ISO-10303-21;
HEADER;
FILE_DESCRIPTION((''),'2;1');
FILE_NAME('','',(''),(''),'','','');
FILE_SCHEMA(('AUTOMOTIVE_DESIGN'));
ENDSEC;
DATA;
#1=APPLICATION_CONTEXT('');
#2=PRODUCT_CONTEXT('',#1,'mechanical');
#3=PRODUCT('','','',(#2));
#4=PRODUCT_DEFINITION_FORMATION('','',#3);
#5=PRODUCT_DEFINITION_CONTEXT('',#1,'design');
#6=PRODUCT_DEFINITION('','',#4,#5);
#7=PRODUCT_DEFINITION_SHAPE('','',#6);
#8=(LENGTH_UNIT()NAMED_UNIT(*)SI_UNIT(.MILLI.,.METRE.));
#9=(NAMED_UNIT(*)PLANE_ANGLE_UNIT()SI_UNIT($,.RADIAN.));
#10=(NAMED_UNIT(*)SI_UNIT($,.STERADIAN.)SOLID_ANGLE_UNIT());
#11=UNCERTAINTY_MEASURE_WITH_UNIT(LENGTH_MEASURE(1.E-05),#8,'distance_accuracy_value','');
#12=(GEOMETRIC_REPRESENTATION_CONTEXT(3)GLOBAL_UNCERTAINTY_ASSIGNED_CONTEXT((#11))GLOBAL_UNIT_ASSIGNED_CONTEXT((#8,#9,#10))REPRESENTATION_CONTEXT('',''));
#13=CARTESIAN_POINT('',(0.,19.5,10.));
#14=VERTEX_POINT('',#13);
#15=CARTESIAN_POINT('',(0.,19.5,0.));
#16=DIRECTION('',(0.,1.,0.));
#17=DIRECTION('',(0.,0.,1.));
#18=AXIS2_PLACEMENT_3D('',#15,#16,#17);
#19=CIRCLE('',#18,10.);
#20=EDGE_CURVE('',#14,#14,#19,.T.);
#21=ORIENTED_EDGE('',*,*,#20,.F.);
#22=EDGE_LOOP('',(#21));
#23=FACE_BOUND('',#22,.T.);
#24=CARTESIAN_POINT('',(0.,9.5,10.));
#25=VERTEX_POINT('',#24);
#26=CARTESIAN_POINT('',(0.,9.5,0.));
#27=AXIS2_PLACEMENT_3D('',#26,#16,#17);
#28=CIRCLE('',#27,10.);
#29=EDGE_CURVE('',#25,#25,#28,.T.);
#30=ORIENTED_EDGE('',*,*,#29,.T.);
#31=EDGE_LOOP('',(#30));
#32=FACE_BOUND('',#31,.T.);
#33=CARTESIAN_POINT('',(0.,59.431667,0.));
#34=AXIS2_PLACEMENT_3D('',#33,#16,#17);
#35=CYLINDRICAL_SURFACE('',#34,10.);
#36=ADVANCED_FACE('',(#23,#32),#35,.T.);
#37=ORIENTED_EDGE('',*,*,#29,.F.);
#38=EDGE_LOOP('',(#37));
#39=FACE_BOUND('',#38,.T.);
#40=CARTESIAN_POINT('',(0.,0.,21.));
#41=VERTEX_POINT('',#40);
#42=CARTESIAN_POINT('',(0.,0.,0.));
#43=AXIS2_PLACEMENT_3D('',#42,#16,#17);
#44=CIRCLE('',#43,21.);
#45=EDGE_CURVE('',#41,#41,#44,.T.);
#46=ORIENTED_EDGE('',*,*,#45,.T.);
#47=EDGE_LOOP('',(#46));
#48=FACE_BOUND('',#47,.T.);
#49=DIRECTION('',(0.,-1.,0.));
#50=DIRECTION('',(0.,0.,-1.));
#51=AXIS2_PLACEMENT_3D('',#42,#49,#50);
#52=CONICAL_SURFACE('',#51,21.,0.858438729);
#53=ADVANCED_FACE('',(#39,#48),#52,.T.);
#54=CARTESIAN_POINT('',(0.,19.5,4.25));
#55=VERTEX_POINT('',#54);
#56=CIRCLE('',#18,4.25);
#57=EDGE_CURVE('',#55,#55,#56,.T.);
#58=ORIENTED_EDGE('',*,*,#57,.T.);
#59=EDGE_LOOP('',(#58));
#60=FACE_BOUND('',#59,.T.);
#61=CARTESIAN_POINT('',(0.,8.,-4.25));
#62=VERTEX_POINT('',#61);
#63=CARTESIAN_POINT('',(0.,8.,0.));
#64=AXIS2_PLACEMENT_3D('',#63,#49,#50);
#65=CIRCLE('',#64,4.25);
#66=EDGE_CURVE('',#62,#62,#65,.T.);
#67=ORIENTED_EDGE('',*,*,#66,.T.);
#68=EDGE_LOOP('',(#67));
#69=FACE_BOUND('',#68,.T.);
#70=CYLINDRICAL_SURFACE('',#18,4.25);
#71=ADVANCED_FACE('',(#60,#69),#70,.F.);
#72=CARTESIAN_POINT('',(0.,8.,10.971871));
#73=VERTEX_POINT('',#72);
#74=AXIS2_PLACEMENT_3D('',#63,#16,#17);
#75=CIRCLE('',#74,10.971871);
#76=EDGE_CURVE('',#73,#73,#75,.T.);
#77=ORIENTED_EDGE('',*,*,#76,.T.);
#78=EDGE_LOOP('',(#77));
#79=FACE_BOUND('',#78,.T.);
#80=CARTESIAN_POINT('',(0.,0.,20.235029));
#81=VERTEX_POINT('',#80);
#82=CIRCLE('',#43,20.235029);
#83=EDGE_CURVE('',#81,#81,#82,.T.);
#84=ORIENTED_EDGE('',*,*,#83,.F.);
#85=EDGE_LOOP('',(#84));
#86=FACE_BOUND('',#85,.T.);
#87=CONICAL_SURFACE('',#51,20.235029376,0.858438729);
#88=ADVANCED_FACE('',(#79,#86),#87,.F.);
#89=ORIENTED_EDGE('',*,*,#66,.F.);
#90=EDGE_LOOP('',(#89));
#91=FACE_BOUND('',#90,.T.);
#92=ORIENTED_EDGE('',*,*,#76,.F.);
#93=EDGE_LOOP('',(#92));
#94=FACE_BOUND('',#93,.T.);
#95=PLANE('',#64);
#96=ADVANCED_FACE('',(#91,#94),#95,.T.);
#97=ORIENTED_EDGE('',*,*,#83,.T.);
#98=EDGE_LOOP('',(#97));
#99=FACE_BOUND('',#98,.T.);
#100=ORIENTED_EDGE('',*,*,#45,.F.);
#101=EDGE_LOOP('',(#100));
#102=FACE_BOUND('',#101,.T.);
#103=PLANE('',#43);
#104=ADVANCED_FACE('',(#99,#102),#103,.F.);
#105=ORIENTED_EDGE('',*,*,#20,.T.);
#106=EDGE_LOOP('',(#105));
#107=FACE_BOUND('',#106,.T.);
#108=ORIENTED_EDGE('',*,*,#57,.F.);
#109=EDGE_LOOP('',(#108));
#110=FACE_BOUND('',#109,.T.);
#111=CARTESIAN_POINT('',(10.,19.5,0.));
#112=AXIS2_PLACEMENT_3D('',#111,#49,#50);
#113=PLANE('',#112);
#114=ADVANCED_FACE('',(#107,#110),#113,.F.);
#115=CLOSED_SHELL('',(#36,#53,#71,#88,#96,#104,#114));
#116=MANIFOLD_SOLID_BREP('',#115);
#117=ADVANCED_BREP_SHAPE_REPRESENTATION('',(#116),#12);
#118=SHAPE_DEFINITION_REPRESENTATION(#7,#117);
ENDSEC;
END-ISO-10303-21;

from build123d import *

# Parameters (mm, degrees)
M10_TAPPED_HOLE1_D     = 8.5
M10_TAPPED_HOLE1_DEPTH = 24.5
M10_TAPPED_HOLE1_TIP   = 2.553657631


with BuildPart() as part:
    # Sketch1 → Revolve1 (revolve)
    with BuildSketch(Plane.XY, mode=Mode.PRIVATE) as revolve1_sk:
        Polygon((0, 0), (21, 0), (10, 9.5), (10, 19.5), (0, 19.5), align=None)
    revolve(revolve1_sk.sketch.rotate(Axis((0, 59.431666947, 0), (0, -1, 0)), 90), axis=Axis((0, 59.431666947, 0), (0, -1, 0)))

    # Sketch2 → Cut-Revolve1 (revolve, cut)
    with BuildSketch(Plane.XY, mode=Mode.PRIVATE) as cut_revolve1_sk:
        Polygon((0, 8), (10.971871481, 8), (20.235029376, 0), (0, 0), align=None)
    revolve(cut_revolve1_sk.sketch.rotate(Axis((0, 26.152643853, 0), (0, -1, 0)), 90), axis=Axis((0, 26.152643853, 0), (0, -1, 0)), mode=Mode.SUBTRACT)

    # M10 Tapped Hole1
    with Locations(Plane(origin=(0, 19.5, 0), x_dir=(1, 0, 0), z_dir=(0, 1, 0))):
        with Locations((0, 0)):
            Hole(M10_TAPPED_HOLE1_D / 2, depth=M10_TAPPED_HOLE1_DEPTH)
            with Locations((0, 0, -(M10_TAPPED_HOLE1_DEPTH + M10_TAPPED_HOLE1_TIP / 2))):  # 118° drill point
                Cone(0, M10_TAPPED_HOLE1_D / 2, M10_TAPPED_HOLE1_TIP, mode=Mode.SUBTRACT)


solid = part.part
